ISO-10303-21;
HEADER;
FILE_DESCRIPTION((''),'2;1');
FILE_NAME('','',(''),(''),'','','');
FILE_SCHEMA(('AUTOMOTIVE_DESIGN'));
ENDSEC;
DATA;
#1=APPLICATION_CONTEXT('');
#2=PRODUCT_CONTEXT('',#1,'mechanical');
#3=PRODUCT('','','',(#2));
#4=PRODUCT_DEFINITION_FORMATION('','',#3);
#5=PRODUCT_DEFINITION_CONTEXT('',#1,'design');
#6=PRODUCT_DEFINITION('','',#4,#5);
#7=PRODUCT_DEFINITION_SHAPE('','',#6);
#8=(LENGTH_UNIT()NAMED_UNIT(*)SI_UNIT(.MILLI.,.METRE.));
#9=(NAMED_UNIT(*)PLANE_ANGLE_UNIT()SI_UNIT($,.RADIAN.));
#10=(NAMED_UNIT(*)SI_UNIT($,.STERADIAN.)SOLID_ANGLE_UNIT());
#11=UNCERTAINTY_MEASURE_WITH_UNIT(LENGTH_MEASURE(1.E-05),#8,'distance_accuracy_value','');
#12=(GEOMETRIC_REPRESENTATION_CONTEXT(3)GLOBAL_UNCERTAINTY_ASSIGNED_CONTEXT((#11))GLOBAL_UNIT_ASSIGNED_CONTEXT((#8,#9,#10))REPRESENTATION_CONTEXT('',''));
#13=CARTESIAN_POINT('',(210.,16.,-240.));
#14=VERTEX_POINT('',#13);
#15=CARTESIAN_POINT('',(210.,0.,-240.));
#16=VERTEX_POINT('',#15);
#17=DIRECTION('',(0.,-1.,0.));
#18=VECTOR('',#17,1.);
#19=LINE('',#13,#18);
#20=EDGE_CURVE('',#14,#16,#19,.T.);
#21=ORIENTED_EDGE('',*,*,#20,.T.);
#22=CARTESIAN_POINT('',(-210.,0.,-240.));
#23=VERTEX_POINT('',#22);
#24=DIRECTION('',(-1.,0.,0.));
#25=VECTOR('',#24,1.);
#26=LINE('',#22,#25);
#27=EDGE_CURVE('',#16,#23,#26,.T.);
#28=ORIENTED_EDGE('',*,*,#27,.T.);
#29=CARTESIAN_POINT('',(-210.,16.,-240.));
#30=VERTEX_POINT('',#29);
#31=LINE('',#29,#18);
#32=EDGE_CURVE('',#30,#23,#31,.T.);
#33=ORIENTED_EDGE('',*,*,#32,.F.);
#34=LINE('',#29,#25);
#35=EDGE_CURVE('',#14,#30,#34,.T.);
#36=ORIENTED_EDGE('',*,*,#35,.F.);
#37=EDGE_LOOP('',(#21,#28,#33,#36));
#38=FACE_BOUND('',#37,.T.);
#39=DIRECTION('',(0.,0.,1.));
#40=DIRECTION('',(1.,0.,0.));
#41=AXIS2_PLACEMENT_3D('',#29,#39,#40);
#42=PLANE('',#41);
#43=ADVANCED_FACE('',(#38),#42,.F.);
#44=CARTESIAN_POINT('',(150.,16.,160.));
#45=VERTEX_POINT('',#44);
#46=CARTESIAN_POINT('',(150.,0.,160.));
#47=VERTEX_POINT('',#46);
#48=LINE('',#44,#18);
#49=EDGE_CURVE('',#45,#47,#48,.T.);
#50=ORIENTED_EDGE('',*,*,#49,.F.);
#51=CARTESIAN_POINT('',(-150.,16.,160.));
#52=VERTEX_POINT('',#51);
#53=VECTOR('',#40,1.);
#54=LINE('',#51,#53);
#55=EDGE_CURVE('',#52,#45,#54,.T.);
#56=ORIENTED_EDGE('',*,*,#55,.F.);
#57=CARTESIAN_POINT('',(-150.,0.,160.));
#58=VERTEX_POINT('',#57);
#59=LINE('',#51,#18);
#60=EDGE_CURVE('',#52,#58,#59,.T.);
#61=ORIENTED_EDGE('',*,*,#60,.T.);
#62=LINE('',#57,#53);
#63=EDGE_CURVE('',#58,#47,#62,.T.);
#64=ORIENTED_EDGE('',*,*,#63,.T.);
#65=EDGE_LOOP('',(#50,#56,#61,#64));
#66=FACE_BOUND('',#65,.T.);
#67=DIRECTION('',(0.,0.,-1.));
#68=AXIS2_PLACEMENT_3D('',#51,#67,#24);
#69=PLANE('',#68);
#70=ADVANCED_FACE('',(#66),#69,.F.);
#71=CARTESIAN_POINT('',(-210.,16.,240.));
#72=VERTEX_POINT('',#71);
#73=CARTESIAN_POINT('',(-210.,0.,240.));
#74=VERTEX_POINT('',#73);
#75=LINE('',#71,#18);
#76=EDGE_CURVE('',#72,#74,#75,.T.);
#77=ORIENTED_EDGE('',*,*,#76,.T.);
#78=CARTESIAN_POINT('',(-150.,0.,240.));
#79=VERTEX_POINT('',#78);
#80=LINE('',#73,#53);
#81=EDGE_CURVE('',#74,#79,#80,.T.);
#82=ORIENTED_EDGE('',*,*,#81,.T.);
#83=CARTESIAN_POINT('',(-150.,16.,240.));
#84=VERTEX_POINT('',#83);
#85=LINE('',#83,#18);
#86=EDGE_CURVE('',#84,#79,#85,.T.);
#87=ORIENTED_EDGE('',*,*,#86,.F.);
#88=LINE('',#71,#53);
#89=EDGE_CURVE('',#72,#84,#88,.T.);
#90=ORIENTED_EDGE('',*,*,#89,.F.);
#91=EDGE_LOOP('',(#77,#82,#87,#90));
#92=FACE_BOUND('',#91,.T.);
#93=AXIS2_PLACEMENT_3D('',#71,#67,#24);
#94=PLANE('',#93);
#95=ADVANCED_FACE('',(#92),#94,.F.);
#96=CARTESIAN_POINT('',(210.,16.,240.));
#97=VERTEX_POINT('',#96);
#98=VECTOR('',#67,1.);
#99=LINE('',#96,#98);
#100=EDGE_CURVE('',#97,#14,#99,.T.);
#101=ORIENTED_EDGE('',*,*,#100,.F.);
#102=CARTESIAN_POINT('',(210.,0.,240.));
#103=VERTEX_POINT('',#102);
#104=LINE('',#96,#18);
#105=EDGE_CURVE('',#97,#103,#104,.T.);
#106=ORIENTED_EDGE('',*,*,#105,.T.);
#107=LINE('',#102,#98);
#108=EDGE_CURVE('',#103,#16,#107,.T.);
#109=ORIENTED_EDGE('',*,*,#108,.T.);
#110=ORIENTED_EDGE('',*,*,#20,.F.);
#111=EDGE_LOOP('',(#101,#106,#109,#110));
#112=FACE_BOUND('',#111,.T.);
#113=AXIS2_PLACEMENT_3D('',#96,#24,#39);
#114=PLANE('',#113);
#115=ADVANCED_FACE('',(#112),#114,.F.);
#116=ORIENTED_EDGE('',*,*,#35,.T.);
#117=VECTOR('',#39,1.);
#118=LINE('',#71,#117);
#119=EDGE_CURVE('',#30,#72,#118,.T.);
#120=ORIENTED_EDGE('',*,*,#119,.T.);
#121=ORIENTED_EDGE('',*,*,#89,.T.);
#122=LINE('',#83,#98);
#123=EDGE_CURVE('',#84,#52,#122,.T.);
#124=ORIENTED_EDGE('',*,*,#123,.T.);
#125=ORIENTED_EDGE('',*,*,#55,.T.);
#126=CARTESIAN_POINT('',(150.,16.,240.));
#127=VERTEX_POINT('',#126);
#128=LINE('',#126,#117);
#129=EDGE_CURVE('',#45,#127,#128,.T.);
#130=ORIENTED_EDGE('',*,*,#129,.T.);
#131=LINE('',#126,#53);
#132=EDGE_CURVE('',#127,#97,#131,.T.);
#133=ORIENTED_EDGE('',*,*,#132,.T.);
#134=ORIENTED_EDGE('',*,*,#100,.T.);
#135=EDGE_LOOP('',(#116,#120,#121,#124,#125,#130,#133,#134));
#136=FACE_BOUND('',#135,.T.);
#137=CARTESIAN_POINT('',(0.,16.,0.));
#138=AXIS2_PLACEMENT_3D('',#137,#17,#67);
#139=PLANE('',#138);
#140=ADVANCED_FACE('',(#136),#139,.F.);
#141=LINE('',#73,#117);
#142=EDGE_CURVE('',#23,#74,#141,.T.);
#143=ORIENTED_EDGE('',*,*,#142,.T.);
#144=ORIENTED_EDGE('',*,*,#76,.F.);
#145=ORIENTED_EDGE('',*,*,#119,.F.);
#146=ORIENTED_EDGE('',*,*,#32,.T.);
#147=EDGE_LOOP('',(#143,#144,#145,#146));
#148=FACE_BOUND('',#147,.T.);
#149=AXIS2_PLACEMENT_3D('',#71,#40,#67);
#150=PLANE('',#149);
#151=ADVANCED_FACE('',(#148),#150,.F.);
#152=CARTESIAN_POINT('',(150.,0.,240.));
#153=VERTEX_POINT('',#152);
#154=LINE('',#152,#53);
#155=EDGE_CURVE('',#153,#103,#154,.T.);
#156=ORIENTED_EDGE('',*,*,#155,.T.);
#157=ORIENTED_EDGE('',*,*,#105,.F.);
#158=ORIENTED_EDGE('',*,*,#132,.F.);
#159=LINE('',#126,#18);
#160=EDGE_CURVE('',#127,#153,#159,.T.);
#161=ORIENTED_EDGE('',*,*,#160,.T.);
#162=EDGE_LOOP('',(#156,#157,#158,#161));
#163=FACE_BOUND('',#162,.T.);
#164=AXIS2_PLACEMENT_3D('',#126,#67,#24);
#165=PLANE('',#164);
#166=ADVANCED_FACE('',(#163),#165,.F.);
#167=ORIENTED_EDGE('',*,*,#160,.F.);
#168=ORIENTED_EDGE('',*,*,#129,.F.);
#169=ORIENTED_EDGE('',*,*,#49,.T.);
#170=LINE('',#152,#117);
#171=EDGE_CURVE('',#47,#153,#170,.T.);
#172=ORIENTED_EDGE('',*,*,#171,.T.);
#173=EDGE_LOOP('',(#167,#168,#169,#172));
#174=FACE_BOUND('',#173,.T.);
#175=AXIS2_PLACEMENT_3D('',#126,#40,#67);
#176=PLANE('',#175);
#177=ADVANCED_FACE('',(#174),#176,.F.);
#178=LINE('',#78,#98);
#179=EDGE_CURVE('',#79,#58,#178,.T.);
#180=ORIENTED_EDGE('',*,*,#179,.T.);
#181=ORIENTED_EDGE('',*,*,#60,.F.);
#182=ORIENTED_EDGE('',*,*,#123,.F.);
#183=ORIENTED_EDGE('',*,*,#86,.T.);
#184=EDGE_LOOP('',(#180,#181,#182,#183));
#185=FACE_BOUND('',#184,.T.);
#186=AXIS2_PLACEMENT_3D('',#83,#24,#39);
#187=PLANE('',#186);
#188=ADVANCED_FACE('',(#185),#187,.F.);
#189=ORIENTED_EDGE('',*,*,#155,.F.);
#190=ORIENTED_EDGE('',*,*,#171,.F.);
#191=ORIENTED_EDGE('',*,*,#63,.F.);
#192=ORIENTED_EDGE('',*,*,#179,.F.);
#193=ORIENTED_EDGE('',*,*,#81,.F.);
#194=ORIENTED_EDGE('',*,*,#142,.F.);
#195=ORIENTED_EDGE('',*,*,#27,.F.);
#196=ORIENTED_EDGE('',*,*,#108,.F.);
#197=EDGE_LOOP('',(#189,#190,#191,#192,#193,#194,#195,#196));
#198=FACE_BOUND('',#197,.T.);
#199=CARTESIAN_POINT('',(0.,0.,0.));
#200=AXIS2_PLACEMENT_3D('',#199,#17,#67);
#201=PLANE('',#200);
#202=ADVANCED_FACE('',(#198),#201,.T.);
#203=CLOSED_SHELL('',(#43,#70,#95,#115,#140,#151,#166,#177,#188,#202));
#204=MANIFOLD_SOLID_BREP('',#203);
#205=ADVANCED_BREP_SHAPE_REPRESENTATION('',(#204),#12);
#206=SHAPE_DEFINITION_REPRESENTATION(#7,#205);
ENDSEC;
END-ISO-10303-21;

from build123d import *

# Parameters (mm, degrees)
SALIENTE_EXTRUIR1_DEPTH = 16


with BuildPart() as part:
    # Croquis1 → Saliente-Extruir1 (new body)
    with BuildSketch(Plane(origin=(0, 0, 0), x_dir=(1, 0, 0), z_dir=(0, 1, 0))):
        Polygon((150, -240), (210, -240), (210, 240), (-210, 240), (-210, -240), (-150, -240), (-150, -160), (150, -160), align=None)
    extrude(amount=SALIENTE_EXTRUIR1_DEPTH)


solid = part.part
